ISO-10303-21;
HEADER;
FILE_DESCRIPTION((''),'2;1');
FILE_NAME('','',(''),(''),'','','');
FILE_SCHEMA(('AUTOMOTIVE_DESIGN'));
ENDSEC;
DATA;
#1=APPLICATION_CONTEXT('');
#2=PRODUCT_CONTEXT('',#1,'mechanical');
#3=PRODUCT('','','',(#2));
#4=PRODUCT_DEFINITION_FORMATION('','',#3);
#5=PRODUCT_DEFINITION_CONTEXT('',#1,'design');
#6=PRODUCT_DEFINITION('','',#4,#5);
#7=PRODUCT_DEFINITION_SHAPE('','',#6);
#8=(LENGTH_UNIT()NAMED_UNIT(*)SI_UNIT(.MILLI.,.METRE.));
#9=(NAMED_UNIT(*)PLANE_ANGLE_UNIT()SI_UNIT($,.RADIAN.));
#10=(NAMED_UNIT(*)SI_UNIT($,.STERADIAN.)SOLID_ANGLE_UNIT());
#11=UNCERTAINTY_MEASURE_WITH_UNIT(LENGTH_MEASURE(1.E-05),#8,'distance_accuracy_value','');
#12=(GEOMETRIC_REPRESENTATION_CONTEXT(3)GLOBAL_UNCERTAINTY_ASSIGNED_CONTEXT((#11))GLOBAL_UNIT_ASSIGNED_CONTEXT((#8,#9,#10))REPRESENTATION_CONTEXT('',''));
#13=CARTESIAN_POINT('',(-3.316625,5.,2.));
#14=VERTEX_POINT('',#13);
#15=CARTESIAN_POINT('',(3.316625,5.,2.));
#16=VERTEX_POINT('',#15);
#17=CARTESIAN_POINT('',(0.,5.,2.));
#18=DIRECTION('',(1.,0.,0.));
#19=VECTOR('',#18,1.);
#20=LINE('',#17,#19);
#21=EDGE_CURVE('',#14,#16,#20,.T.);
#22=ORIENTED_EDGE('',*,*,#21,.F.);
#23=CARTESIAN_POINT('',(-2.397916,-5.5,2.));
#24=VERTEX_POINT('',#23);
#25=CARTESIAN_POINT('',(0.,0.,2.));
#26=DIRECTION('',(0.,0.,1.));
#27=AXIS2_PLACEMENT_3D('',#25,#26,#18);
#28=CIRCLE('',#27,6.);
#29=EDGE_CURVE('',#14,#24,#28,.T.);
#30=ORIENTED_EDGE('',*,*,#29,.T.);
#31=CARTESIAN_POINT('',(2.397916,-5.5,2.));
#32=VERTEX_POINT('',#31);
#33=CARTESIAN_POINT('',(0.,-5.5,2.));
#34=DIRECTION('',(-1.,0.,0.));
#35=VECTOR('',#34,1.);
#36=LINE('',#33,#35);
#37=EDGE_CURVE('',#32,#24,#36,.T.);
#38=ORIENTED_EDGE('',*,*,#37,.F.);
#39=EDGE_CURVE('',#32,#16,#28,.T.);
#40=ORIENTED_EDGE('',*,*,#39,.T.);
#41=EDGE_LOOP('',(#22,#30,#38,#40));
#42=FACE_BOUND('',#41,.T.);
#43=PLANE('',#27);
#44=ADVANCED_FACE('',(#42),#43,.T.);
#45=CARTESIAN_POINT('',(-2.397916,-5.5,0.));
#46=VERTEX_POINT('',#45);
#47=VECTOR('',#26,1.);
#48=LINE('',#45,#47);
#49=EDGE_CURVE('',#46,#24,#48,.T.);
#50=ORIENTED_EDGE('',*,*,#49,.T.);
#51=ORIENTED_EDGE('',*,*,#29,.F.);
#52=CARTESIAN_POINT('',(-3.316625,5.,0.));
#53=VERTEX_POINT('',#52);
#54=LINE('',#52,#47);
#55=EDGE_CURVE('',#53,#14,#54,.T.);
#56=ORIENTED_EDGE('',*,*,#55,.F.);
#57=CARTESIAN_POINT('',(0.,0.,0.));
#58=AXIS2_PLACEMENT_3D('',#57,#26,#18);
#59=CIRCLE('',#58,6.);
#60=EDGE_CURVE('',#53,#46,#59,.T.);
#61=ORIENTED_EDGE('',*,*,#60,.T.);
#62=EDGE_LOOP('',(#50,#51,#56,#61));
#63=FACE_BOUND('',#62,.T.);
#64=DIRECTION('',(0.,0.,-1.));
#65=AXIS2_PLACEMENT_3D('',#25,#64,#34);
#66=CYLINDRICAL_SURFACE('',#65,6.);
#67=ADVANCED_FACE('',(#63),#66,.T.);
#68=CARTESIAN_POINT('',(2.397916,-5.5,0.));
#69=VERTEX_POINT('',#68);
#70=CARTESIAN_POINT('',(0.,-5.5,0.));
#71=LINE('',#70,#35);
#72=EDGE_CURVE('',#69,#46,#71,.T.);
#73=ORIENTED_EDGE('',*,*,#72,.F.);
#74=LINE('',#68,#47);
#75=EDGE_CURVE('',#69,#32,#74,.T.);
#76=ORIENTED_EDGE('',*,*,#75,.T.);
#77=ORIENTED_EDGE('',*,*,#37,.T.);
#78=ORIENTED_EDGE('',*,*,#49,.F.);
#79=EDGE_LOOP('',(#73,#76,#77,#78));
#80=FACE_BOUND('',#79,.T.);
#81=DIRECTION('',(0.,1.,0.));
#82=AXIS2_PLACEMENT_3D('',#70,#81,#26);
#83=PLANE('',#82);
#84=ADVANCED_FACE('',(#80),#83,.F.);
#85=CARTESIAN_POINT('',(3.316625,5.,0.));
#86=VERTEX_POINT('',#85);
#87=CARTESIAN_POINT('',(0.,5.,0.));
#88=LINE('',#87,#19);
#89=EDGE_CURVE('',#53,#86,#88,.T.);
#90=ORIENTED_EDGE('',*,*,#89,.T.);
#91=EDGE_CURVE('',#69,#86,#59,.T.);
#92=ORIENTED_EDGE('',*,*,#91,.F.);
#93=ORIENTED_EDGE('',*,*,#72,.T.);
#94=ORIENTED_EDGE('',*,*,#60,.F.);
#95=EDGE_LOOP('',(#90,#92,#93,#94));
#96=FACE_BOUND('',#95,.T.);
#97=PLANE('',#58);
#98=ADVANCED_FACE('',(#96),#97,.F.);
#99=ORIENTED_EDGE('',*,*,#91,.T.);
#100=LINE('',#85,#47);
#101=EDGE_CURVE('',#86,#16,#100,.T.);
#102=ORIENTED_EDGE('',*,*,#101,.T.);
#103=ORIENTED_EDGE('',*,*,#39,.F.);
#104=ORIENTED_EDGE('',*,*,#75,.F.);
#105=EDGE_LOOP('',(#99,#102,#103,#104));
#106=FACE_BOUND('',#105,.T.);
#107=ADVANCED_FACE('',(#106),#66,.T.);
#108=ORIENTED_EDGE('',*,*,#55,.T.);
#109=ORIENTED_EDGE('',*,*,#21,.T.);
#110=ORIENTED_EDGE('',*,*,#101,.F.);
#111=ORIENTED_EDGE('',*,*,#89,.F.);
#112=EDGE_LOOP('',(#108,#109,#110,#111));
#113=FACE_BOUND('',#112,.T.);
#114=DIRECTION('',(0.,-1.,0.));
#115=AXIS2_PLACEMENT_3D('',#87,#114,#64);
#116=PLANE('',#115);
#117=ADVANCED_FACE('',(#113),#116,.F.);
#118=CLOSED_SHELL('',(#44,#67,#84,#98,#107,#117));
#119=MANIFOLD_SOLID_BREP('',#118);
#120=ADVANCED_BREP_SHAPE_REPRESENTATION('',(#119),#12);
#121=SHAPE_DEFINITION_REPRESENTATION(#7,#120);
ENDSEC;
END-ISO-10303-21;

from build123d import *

# Parameters (mm, degrees)
SKETCH1_R           = 6
BOSS_EXTRUDE1_DEPTH = 2
CUT_EXTRUDE1_DEPTH  = 2


with BuildPart() as part:
    # Sketch1 → Boss-Extrude1 (new body)
    with BuildSketch(Plane.XY):
        Circle(SKETCH1_R)
    extrude(amount=BOSS_EXTRUDE1_DEPTH)

    # Sketch2 → Cut-Extrude1 (cut)
    with BuildSketch(Plane.XY.offset(2)):
        with BuildLine():
            ThreePointArc((3.31662479, 5), (0, 6), (-3.31662479, 5))
            Line((-3.31662479, 5), (3.31662479, 5))
        make_face()
        with BuildLine():
            Line((2.397915762, -5.5), (-2.397915762, -5.5))
            ThreePointArc((-2.397915762, -5.5), (0, -6), (2.397915762, -5.5))
        make_face()
    extrude(amount=-CUT_EXTRUDE1_DEPTH, mode=Mode.SUBTRACT)


solid = part.part
